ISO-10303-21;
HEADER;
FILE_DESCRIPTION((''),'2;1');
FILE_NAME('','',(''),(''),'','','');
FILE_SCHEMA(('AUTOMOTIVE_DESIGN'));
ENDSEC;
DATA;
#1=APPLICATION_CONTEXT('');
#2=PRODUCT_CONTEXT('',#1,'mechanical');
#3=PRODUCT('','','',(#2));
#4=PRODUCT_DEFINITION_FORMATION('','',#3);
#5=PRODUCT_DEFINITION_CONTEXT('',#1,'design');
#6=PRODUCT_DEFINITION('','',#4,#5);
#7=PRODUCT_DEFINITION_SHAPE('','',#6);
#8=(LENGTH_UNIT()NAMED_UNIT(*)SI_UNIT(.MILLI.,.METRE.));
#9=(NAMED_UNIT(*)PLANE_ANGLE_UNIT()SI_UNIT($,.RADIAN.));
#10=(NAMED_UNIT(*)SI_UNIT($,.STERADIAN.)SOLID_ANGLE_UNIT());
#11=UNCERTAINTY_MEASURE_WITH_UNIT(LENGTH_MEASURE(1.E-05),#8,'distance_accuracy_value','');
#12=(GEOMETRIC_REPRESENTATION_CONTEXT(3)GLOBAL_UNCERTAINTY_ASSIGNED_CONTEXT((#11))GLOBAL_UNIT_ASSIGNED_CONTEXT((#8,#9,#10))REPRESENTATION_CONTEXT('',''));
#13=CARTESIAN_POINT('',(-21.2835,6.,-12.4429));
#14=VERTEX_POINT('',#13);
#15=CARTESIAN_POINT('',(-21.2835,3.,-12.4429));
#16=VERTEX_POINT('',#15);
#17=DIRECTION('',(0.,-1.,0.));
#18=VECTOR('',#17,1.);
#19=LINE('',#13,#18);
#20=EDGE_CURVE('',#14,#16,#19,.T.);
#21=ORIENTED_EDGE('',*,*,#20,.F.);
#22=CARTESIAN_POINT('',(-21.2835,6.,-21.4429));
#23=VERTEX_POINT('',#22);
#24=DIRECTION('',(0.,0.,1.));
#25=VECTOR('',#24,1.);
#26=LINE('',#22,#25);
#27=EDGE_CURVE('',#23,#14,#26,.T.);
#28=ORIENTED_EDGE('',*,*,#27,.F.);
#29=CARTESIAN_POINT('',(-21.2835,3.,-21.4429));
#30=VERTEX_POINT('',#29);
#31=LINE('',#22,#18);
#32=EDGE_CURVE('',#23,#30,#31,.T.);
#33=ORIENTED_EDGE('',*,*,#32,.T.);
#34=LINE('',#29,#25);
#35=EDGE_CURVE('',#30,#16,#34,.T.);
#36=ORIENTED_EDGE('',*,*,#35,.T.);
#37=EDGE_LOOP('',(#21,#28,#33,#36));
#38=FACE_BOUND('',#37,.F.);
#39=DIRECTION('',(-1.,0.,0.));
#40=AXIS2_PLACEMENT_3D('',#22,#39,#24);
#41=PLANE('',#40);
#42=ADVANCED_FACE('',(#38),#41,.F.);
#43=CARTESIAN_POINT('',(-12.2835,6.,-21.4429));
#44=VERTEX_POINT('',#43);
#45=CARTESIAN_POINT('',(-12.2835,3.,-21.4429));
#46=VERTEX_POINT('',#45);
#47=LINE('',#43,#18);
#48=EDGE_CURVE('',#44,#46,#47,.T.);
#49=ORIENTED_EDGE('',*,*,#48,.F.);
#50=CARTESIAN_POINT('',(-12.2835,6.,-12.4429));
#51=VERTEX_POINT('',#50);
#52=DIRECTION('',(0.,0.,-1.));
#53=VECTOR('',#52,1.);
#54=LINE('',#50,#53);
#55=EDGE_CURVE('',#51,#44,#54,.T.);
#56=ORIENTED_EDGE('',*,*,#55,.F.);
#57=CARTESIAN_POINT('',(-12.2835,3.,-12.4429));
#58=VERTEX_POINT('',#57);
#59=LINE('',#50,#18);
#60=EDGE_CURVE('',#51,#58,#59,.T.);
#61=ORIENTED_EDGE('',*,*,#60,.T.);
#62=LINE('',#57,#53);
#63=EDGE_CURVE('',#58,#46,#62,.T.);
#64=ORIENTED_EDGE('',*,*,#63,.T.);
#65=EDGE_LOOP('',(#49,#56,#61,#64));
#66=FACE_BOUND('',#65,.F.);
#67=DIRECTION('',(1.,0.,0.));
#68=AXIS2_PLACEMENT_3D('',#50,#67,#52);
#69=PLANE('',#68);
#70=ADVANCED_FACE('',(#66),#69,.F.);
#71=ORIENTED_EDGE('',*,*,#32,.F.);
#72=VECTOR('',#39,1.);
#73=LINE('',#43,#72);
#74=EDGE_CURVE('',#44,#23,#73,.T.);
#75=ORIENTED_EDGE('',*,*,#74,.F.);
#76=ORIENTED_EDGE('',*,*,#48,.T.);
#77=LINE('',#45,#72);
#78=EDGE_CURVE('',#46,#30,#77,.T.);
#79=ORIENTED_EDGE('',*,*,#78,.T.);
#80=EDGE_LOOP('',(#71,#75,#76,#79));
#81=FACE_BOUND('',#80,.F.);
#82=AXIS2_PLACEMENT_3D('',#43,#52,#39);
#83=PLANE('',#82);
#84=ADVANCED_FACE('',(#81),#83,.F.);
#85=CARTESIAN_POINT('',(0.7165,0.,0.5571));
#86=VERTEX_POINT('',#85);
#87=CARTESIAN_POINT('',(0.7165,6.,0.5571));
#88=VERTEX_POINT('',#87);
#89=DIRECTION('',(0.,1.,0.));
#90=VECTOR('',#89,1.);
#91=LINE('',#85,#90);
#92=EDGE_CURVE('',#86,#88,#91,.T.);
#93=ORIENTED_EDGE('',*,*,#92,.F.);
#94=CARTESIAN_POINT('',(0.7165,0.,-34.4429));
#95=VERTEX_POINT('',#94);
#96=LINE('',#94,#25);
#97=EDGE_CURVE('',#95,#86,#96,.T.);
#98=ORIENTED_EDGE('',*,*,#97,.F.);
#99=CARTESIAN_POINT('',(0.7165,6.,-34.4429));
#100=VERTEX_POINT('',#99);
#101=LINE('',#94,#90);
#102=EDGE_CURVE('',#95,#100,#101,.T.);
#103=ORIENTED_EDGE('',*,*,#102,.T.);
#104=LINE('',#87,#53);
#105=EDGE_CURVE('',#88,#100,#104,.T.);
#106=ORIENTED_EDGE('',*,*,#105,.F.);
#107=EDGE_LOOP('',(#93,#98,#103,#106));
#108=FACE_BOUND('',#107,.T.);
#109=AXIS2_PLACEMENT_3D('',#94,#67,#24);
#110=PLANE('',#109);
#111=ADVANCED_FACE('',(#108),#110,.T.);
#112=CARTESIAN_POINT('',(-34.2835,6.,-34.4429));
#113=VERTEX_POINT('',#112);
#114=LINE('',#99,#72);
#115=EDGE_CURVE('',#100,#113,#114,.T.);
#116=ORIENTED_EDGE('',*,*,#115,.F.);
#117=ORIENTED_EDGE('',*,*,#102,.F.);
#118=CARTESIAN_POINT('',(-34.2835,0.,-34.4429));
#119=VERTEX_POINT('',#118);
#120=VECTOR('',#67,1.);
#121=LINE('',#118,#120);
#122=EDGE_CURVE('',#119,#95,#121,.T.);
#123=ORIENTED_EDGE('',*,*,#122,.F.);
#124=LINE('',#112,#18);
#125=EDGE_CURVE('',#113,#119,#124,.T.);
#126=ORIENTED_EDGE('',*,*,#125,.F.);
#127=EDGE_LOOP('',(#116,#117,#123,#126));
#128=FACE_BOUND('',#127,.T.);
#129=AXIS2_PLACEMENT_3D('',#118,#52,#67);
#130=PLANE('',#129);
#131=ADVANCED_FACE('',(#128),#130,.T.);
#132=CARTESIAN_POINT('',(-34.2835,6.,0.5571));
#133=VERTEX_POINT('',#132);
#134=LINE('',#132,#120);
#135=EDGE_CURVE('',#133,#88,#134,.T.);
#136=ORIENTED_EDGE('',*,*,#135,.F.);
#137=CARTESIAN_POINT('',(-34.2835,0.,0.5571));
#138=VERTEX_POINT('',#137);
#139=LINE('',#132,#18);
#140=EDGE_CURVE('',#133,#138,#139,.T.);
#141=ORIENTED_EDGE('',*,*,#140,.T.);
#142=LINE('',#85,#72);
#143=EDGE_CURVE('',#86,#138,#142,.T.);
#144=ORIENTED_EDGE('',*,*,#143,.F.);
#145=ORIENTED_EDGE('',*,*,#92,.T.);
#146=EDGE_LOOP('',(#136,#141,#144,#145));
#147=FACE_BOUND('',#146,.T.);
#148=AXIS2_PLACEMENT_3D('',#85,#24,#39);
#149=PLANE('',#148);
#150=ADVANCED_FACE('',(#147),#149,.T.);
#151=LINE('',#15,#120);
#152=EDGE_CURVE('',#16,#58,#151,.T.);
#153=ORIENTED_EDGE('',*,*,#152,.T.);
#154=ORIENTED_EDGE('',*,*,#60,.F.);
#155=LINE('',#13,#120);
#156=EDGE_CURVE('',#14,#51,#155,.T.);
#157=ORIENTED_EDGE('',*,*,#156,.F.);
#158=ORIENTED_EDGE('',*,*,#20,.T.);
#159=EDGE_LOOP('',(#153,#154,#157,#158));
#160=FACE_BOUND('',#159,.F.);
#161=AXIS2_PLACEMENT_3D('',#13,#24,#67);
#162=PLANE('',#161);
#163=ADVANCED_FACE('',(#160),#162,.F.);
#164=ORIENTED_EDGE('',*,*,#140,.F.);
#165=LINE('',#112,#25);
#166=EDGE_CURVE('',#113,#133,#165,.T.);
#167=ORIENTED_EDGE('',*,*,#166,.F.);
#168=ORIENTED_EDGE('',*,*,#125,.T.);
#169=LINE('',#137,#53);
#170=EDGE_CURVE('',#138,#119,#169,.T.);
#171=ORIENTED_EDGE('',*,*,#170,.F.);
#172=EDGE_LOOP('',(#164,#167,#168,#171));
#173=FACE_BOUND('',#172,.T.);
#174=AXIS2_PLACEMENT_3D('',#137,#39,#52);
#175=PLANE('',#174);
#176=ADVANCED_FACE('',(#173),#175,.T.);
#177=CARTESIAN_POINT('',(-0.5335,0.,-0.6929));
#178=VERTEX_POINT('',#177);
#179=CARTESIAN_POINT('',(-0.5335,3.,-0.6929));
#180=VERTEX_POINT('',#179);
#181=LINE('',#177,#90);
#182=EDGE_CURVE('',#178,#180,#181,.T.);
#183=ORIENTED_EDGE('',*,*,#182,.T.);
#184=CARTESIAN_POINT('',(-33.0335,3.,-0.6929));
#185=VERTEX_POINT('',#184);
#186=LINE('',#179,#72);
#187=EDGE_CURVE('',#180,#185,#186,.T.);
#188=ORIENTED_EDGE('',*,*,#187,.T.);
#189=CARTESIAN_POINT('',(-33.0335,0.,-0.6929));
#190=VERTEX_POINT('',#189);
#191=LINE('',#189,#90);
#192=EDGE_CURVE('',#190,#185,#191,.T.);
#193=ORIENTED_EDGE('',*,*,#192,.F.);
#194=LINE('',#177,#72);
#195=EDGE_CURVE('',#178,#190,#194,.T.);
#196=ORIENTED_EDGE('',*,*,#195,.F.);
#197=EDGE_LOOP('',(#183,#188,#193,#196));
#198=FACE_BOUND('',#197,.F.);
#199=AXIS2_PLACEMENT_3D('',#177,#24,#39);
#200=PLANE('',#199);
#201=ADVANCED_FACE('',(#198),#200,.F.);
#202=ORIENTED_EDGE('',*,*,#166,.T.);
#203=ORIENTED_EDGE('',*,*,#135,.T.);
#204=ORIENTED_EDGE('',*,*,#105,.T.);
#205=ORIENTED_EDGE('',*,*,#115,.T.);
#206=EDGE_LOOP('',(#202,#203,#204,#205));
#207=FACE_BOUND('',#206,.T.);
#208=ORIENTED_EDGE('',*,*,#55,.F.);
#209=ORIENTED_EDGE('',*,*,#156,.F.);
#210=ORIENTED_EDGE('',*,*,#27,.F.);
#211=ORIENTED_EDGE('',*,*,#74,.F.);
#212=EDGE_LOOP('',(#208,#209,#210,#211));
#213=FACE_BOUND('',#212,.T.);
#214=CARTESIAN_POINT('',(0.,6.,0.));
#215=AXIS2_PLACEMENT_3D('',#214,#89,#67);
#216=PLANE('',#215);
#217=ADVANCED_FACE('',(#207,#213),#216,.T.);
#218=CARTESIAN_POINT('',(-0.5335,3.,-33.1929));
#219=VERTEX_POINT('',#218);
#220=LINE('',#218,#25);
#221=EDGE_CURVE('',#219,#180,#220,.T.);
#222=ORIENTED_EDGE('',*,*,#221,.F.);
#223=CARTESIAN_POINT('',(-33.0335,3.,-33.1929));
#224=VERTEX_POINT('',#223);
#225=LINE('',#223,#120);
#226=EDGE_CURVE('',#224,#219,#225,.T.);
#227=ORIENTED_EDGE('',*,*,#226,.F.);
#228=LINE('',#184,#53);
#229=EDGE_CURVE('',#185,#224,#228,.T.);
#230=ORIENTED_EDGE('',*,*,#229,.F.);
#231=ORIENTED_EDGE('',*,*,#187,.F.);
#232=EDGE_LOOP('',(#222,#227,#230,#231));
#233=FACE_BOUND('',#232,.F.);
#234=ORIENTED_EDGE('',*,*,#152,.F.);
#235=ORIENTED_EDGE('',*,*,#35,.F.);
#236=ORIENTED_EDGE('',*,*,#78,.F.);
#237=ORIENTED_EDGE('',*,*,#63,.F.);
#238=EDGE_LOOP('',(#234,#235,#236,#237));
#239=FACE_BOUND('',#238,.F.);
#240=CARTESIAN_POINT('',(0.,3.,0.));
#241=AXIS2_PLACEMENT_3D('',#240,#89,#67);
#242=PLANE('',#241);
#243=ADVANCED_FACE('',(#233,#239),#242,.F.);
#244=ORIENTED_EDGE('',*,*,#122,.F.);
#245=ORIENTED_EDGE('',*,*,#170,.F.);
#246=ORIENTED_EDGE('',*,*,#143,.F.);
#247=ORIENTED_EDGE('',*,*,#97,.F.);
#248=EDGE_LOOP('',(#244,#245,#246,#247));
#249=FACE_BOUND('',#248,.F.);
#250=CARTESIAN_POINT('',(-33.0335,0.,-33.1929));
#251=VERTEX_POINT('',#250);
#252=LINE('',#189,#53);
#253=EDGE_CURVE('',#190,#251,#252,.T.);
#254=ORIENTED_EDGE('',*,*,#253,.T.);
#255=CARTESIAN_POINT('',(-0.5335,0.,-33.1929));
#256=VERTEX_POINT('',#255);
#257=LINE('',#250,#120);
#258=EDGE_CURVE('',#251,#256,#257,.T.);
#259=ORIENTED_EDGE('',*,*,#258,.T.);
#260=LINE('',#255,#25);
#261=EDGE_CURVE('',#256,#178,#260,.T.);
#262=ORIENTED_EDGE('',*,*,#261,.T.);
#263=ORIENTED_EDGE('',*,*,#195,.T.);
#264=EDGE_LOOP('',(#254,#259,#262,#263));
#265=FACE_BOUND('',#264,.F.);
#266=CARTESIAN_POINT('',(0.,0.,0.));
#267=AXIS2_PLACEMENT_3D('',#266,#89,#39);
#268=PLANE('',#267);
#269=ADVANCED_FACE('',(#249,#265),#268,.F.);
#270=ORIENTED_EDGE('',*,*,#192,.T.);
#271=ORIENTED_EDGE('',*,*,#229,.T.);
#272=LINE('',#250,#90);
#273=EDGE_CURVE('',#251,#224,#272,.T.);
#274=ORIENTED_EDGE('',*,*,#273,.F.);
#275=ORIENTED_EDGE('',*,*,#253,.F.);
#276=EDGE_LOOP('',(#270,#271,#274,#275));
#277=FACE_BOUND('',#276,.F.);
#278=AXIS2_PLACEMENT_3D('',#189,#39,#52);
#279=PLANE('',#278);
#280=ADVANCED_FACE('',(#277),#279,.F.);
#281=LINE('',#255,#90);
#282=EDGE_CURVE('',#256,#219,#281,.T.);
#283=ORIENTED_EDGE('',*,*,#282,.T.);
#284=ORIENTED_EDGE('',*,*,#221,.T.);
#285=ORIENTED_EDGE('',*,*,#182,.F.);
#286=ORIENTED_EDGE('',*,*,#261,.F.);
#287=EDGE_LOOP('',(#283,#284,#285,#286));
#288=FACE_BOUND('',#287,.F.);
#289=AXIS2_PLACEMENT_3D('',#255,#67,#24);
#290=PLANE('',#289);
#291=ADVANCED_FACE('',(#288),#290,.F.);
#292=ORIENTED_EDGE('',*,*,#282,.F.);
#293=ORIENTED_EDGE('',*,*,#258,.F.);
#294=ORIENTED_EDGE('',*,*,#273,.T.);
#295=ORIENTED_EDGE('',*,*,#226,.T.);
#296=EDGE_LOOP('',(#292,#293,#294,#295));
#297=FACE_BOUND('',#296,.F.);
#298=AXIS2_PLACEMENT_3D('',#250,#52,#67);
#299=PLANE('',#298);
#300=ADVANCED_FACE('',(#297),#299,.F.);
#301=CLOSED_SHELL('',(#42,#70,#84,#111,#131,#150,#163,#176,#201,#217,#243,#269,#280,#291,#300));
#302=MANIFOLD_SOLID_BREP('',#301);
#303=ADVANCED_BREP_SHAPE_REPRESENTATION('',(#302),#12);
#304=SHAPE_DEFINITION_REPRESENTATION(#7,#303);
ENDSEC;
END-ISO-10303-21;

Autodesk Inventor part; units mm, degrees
ref_plane "YZ Plane" through (0, 0, 0) normal (1, 0, 0) x (0, 1, 0)
ref_plane "XZ Plane" through (0, 0, 0) normal (0, 1, 0) x (-1, 0, 0)
ref_plane "XY Plane" through (0, 0, 0) normal (0, 0, 1) x (1, 0, 0)
sketch "Sketch1" plane through (0, 0, 0) normal (0, 1, 0) x (-1, 0, 0)
  line L0 (0.5335, -0.6929) -> (33.0335, -0.6929)
  line L1 (33.0335, -0.6929) -> (33.0335, -33.1929)
  line L2 (33.0335, -33.1929) -> (0.5335, -33.1929)
  line L3 (0.5335, -33.1929) -> (0.5335, -0.6929)
  line L4 (-0.7165, 0.5571) -> (34.2835, 0.5571)
  line L5 (34.2835, 0.5571) -> (34.2835, -34.4429)
  line L6 (34.2835, -34.4429) -> (-0.7165, -34.4429)
  line L7 (-0.7165, -34.4429) -> (-0.7165, 0.5571)
  point P0 (0, 0)
  dimension "d0" = 32.5
  dimension "d1" = 32.5
  dimension "d2" = 35
  dimension "d3" = 35
  dimension "d4" = 1.25
  dimension "d5" = 1.25
extrude "Extrusion1" add sketch "Sketch1" along normal blind 3
sketch "Sketch2" plane through (0, 3, 0) normal (0, 1, 0) x (1, 0, 0)
  line L0 (-34.2835, -0.5571) -> (0.7165, -0.5571) projected
  line L1 (0.7165, -0.5571) -> (0.7165, 34.4429) projected
  line L2 (-34.2835, -0.5571) -> (0.7165, -0.5571)
  line L3 (0.7165, -0.5571) -> (0.7165, 34.4429)
  line L4 (0.7165, 34.4429) -> (-34.2835, 34.4429)
  line L5 (-34.2835, 34.4429) -> (-34.2835, -0.5571)
  point P0 (0, 0)
extrude "Extrusion2" add sketch "Sketch2" along normal blind 3
sketch "Sketch3" plane through (0, 6, 0) normal (0, 1, 0) x (1, 0, 0)
  line L0 (-21.2835, 12.4429) -> (-12.2835, 12.4429)
  line L1 (-12.2835, 12.4429) -> (-12.2835, 21.4429)
  line L2 (-12.2835, 21.4429) -> (-21.2835, 21.4429)
  line L3 (-21.2835, 21.4429) -> (-21.2835, 12.4429)
  line L4 (-34.2835, 34.4429) -> (-34.2835, -0.5571) projected
  line L5 (0.7165, 34.4429) -> (-34.2835, 34.4429) projected
  point P0 (0, 0)
  dimension "d10" = 9
  dimension "d11" = 9
  dimension "d12" = 13
  dimension "d13" = 13
extrude "Extrusion3" cut sketch "Sketch3" against normal blind 3
properties part number "test_camera_seat"
